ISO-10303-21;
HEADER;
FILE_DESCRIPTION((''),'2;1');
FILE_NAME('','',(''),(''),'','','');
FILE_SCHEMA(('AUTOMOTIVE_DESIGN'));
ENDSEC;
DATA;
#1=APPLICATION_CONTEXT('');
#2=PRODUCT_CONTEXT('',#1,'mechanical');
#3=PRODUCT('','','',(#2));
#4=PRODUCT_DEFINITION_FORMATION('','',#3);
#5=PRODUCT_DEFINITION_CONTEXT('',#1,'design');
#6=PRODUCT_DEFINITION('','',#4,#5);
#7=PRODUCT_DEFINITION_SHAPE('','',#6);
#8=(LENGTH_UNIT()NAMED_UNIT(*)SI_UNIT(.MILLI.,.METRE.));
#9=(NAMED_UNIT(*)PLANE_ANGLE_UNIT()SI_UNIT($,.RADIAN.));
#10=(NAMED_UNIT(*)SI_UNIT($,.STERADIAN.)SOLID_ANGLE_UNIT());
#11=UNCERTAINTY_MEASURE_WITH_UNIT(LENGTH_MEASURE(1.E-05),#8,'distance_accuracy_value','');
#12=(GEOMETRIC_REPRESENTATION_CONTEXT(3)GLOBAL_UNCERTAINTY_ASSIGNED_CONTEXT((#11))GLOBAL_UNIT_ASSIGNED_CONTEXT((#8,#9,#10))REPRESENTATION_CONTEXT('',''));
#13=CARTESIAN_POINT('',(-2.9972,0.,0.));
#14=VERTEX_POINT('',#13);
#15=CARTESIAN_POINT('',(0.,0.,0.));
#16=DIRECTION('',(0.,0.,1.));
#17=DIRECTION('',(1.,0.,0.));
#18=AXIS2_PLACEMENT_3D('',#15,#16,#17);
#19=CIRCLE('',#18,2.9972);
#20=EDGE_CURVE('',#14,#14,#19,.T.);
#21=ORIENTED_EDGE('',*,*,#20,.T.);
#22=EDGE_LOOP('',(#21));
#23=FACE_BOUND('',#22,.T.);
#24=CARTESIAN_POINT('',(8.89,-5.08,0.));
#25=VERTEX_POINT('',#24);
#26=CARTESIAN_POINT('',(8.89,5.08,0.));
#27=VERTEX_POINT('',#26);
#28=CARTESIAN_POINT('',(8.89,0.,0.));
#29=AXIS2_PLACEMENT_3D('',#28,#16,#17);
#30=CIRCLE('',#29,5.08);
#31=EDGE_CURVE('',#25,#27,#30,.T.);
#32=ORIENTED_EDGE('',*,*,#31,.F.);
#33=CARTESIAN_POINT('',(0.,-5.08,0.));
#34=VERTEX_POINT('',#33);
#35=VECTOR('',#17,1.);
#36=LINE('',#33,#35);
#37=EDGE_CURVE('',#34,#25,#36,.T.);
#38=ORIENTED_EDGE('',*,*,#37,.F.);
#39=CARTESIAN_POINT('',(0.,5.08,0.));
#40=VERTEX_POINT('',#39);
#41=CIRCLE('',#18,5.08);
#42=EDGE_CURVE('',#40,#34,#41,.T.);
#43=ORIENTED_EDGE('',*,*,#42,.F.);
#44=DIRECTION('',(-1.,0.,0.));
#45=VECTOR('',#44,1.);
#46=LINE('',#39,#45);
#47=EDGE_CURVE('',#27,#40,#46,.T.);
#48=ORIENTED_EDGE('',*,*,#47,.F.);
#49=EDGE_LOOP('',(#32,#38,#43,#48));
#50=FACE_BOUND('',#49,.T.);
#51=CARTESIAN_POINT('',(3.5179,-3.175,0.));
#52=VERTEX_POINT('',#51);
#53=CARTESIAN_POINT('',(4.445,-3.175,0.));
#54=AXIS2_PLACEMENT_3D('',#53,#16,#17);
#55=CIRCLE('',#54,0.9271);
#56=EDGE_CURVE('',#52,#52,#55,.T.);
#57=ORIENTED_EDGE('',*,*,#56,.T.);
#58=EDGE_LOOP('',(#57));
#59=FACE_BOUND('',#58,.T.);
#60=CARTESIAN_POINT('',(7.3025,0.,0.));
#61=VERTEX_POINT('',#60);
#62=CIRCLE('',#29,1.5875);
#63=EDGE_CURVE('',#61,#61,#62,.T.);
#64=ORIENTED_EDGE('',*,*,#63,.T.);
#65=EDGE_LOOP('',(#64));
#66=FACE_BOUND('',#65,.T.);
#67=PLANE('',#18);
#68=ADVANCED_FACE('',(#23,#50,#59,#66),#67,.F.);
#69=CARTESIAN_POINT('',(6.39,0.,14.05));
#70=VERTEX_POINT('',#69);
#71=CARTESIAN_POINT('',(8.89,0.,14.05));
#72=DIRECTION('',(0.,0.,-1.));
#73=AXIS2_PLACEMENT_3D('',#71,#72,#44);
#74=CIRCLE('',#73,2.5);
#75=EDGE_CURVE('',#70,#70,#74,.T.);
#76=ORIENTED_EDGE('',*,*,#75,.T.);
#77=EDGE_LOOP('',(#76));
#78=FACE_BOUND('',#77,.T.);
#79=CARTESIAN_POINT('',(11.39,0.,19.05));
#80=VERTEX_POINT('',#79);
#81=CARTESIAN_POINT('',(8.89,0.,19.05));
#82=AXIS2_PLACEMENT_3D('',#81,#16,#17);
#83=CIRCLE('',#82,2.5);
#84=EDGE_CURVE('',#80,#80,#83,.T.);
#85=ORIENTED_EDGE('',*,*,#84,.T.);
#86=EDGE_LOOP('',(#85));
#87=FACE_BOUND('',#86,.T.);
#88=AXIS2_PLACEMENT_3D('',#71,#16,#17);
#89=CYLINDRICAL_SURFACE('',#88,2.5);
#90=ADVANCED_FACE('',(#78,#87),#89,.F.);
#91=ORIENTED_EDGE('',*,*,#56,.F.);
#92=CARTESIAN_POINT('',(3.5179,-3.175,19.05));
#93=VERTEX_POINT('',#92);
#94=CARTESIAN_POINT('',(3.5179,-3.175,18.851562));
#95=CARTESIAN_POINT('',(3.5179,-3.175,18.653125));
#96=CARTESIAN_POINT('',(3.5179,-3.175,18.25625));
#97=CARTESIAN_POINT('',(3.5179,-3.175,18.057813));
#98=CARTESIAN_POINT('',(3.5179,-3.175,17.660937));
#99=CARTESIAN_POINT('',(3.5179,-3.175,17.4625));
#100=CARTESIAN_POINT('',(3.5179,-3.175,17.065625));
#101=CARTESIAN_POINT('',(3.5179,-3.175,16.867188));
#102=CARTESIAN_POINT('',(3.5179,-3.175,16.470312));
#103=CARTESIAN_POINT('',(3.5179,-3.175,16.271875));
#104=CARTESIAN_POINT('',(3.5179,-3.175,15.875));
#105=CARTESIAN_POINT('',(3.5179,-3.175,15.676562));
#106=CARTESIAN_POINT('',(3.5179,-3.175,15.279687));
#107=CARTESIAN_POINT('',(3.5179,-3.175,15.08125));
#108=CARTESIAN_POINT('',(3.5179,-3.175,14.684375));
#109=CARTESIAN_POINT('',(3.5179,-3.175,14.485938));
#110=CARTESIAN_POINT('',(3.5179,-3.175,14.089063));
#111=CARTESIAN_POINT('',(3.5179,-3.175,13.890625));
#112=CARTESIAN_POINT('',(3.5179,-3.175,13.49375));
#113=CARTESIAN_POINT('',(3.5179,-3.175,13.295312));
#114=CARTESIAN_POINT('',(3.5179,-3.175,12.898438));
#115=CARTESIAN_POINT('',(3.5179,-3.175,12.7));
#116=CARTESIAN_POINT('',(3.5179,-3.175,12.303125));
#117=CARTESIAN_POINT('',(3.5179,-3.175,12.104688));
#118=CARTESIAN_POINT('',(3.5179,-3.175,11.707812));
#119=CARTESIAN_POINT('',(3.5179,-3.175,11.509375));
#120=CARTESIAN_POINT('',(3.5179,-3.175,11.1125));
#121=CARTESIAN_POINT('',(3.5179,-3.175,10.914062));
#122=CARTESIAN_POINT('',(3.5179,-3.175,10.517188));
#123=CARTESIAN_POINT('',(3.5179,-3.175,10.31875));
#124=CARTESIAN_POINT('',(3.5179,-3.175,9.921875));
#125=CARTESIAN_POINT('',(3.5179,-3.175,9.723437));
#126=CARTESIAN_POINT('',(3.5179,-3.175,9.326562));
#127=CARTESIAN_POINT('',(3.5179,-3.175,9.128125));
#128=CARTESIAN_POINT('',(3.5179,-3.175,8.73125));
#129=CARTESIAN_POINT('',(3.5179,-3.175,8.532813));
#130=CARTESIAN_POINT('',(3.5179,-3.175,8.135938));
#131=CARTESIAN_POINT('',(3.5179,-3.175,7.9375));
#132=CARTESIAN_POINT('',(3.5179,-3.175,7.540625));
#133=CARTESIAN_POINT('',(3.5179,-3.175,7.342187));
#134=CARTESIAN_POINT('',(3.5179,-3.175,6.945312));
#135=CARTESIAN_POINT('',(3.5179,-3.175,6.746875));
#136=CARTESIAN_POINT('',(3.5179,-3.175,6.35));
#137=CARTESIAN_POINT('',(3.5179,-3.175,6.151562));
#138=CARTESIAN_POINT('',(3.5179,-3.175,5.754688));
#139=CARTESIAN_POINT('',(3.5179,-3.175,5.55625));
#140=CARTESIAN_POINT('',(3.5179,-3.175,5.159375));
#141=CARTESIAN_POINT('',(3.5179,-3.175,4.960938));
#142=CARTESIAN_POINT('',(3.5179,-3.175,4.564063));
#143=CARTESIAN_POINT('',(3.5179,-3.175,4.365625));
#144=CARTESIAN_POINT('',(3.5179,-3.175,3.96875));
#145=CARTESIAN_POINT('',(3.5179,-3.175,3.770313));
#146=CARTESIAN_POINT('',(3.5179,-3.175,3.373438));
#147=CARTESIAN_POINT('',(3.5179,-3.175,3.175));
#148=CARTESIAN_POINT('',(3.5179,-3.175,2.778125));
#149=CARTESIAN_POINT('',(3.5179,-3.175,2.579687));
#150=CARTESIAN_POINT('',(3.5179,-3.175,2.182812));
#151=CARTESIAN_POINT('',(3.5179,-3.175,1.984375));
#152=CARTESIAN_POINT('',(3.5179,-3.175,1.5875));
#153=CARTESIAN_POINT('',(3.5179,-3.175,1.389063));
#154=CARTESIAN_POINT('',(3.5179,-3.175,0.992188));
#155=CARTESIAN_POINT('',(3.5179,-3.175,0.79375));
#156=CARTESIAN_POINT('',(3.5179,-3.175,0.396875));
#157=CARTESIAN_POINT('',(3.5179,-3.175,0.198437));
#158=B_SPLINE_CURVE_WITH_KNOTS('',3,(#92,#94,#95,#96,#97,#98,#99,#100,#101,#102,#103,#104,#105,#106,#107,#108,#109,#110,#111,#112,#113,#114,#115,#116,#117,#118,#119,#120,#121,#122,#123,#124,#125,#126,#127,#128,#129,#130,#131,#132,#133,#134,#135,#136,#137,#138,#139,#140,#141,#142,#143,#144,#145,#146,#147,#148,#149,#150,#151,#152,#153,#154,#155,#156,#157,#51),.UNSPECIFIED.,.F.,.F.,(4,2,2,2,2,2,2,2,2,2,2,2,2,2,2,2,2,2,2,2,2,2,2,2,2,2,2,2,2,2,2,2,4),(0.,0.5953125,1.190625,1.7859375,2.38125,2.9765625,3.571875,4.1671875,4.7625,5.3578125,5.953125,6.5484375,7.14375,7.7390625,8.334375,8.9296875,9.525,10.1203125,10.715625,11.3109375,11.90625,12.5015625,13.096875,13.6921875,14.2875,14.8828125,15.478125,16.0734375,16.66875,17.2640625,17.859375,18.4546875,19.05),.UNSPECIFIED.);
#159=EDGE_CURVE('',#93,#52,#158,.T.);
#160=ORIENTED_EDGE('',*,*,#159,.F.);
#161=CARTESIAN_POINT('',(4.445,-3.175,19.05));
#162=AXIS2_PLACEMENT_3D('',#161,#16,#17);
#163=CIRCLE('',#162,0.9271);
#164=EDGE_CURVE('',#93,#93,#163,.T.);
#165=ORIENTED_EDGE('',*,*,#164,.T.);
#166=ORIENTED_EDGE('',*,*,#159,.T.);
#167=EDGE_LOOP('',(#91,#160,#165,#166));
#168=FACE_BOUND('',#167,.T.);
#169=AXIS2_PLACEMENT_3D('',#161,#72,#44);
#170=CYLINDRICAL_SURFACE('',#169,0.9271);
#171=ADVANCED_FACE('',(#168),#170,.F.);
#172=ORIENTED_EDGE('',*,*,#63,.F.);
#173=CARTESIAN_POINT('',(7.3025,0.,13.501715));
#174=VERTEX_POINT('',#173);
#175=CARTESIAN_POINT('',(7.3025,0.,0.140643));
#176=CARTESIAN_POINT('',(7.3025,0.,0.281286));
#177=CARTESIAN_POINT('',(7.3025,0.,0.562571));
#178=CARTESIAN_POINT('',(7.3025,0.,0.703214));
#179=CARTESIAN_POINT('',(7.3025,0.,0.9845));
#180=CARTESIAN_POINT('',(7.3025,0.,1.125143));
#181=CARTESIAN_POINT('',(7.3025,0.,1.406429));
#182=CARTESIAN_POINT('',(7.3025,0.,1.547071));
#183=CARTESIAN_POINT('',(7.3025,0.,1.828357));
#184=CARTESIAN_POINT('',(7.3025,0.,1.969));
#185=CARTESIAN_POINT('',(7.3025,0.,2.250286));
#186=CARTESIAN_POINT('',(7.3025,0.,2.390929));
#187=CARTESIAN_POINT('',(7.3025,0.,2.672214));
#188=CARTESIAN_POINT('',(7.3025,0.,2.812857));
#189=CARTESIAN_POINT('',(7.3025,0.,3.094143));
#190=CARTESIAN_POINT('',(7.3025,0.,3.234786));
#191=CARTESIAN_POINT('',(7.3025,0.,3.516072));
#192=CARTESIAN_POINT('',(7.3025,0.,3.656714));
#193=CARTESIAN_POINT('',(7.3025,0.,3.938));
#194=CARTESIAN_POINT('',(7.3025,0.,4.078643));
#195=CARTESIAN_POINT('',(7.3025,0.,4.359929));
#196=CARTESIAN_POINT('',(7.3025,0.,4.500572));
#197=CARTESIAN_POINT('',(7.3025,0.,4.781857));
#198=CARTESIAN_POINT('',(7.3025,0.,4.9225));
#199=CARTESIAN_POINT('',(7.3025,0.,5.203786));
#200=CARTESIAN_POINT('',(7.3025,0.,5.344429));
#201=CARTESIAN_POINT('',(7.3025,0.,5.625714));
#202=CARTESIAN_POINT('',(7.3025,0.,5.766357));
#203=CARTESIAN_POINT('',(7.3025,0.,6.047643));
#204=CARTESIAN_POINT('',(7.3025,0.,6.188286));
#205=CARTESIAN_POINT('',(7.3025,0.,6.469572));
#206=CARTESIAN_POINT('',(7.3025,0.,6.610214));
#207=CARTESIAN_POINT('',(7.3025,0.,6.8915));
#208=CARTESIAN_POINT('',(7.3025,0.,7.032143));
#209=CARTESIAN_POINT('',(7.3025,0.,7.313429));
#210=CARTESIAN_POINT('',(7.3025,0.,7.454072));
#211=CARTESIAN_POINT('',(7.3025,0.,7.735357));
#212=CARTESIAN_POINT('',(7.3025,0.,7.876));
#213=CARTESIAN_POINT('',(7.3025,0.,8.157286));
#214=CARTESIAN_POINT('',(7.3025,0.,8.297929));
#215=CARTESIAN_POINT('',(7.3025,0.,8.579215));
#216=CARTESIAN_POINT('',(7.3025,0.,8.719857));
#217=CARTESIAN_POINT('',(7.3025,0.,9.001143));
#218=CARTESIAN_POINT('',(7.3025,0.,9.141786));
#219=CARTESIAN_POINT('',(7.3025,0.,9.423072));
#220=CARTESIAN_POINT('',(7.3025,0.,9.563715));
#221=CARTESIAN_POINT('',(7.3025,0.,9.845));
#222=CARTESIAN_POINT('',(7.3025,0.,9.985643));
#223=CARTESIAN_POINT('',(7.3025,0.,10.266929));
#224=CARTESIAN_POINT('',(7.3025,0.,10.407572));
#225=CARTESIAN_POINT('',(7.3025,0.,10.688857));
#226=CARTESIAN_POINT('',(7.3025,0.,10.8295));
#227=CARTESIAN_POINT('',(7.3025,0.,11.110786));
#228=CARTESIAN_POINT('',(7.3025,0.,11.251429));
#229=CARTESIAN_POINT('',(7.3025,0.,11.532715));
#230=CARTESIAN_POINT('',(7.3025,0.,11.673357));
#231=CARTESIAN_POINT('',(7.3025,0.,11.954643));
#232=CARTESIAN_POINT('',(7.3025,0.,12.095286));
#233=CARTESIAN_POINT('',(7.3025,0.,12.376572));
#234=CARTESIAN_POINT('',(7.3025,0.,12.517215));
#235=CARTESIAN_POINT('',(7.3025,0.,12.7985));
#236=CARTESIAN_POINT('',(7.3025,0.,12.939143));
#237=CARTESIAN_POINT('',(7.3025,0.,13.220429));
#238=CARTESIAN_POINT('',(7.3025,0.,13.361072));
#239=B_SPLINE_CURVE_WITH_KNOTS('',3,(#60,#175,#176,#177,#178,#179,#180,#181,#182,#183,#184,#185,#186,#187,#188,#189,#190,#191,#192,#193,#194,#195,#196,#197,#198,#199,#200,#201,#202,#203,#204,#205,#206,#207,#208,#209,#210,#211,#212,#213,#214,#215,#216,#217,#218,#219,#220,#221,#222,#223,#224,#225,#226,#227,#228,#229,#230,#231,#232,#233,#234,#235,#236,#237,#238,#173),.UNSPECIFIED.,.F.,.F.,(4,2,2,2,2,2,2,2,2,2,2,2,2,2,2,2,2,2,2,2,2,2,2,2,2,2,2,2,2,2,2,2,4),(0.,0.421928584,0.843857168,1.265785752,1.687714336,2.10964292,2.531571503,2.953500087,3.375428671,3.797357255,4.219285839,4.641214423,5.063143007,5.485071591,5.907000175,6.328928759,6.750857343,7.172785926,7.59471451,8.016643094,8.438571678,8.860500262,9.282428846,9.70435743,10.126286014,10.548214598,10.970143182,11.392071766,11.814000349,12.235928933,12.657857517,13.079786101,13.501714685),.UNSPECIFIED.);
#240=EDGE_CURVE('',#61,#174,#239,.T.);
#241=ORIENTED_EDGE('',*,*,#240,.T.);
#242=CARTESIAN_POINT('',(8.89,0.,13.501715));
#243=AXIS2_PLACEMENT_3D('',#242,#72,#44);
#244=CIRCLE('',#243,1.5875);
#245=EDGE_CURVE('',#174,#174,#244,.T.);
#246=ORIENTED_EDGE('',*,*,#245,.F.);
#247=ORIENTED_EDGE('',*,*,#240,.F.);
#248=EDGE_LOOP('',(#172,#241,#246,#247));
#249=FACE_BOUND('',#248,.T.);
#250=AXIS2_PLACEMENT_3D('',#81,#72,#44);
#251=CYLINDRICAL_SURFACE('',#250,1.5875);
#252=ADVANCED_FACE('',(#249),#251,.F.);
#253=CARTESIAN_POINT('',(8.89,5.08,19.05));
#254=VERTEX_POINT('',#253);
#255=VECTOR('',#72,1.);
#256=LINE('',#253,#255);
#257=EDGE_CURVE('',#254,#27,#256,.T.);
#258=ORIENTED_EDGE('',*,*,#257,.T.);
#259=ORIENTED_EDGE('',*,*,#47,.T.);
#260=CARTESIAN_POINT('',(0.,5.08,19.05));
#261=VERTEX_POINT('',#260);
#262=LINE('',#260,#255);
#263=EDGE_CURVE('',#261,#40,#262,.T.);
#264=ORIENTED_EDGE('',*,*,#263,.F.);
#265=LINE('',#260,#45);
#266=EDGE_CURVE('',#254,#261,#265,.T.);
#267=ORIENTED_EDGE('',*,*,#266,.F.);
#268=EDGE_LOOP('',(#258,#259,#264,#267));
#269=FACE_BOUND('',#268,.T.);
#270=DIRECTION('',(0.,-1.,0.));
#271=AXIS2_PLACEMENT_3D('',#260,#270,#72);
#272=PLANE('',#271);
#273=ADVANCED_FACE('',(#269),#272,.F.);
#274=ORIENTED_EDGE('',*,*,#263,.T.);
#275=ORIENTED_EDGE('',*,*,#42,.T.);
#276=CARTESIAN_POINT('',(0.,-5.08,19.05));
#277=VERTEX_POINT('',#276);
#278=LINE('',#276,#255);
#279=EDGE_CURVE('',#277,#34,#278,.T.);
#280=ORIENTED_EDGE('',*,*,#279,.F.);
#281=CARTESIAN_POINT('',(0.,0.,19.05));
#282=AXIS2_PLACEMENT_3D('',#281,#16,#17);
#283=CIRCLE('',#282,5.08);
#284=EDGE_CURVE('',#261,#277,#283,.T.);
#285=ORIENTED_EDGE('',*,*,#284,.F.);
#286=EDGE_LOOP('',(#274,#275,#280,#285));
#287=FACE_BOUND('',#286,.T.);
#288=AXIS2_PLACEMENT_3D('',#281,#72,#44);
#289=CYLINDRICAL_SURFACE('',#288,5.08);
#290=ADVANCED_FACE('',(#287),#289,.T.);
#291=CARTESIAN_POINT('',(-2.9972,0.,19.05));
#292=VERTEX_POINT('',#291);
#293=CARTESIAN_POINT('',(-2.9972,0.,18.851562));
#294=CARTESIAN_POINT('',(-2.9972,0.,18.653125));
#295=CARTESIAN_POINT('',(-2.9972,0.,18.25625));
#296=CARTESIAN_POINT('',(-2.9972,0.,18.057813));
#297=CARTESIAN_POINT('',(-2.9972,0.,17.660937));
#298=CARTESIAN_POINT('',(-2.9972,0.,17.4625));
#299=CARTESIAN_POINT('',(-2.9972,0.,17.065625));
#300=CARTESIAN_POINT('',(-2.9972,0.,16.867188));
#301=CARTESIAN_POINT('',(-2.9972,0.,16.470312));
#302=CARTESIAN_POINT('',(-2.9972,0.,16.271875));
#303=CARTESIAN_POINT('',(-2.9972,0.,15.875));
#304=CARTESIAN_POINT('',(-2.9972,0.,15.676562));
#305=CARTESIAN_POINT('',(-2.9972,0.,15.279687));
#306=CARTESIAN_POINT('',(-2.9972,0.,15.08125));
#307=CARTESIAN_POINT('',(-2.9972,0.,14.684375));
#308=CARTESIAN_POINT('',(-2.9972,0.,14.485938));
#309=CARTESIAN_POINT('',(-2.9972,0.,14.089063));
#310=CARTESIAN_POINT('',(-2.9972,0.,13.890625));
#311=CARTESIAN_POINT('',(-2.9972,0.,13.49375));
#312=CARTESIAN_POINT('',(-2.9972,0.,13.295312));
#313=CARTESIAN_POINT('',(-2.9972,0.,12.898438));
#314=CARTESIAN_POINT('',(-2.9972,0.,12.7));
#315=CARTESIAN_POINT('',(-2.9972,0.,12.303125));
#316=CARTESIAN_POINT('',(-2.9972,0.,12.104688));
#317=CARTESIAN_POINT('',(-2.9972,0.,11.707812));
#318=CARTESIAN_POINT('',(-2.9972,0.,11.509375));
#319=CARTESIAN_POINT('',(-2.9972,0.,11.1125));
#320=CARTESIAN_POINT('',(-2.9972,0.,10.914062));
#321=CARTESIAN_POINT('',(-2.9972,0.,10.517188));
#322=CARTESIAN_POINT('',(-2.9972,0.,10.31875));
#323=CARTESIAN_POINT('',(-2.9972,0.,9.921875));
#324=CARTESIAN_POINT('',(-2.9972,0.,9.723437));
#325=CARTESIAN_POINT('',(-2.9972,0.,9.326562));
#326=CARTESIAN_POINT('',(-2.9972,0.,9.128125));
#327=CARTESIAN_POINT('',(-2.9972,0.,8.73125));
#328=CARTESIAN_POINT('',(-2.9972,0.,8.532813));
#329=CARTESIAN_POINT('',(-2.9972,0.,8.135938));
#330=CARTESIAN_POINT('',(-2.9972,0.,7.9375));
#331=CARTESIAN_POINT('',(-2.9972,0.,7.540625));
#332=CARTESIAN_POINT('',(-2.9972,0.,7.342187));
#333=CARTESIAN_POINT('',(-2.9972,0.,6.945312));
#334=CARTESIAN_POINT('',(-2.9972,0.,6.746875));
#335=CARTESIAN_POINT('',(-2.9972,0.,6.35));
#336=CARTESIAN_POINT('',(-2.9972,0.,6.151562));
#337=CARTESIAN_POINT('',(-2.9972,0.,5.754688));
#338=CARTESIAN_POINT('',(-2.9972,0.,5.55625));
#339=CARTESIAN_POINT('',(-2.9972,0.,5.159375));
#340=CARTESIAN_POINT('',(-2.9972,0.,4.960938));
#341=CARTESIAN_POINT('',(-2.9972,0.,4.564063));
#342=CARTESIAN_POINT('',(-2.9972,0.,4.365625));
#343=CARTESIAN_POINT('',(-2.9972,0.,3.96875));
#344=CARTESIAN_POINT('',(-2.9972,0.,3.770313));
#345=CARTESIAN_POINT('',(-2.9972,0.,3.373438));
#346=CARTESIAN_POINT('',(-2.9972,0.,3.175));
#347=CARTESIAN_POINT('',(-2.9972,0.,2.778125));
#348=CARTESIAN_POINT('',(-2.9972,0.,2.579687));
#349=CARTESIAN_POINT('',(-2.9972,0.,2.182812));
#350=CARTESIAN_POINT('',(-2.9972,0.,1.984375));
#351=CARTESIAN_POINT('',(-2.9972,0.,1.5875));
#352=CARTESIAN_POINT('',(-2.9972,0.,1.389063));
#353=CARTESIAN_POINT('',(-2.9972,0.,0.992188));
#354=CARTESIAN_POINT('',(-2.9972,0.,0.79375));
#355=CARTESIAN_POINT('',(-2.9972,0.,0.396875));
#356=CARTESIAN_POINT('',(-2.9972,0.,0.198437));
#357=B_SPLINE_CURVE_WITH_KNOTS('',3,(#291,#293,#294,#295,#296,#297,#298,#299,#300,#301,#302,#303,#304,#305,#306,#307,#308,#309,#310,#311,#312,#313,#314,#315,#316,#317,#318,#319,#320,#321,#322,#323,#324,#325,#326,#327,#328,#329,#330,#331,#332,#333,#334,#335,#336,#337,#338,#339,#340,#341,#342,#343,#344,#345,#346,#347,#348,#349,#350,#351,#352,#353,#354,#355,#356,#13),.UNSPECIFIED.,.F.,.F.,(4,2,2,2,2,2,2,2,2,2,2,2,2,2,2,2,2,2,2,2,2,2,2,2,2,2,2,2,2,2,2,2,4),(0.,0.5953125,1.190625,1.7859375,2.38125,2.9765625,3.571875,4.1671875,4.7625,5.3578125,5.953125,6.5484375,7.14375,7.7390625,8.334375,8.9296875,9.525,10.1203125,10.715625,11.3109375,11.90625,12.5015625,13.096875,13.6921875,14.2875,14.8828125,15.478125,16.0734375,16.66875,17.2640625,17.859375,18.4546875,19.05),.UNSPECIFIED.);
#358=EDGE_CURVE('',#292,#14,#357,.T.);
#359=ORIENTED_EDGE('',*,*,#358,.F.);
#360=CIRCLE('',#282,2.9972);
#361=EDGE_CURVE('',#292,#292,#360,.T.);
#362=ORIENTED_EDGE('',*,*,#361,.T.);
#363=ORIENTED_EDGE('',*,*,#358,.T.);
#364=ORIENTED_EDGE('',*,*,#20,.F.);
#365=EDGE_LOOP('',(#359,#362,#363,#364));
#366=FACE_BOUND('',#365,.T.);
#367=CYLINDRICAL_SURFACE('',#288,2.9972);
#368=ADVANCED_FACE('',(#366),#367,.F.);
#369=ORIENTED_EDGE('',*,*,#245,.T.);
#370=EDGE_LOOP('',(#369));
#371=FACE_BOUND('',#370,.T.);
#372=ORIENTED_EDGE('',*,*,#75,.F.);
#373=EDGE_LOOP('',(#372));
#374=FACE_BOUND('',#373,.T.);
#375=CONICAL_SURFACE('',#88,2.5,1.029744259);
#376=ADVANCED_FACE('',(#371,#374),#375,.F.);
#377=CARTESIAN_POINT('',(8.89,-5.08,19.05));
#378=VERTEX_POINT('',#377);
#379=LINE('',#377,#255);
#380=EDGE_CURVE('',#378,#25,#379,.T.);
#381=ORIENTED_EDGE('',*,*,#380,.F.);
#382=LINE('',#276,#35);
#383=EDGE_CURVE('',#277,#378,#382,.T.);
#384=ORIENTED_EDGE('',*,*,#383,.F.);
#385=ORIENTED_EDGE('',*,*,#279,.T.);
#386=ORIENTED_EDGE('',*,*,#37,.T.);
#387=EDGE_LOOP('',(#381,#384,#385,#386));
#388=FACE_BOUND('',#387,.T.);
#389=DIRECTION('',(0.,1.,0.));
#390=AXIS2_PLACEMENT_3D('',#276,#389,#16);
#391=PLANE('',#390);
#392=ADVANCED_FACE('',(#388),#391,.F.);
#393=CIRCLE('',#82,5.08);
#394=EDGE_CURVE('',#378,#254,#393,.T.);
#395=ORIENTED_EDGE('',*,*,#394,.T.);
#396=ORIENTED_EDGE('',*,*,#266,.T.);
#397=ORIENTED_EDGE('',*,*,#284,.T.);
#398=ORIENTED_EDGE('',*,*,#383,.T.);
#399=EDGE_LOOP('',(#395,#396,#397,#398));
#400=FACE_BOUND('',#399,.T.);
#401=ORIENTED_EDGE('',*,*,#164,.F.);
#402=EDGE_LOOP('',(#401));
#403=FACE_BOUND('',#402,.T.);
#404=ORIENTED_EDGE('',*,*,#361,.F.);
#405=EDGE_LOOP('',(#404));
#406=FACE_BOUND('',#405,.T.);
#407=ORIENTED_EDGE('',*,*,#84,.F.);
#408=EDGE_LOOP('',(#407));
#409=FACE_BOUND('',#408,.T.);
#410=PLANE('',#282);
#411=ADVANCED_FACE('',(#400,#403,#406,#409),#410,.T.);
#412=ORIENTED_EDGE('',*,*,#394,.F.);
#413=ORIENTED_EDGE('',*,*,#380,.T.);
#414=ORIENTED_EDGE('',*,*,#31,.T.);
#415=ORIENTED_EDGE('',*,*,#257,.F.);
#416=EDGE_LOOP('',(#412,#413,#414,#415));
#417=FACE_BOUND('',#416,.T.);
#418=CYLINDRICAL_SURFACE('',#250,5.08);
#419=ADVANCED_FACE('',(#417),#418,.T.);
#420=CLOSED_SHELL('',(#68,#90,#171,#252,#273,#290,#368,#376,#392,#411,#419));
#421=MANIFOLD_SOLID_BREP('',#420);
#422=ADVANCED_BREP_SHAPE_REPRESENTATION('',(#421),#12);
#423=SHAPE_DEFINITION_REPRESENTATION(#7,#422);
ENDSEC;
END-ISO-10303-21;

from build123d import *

# Parameters (mm, degrees)
SKETCH1_R           = 2.9972
SKETCH1_R_2         = 1.5875
SKETCH1_R_3         = 0.9271
BOSS_EXTRUDE1_DEPTH = 19.05
SKETCH2_R           = 2.5
CUT_EXTRUDE1_DEPTH  = 5


with BuildPart() as part:
    # Sketch1 → Boss-Extrude1 (new body)
    with BuildSketch(Plane.XY):
        with BuildLine():
            Line((0, 5.08), (8.89, 5.08))
            ThreePointArc((8.89, 5.08), (13.97, 0), (8.89, -5.08))
            Line((8.89, -5.08), (0, -5.08))
            ThreePointArc((0, -5.08), (-5.08, 0), (0, 5.08))
        make_face()
        with Locations(Location((0, 0, 0), (0, 0, 180))):
            Circle(SKETCH1_R, mode=Mode.SUBTRACT)
        with Locations(Location((8.89, 0, 0), (0, 0, 180))):
            Circle(SKETCH1_R_2, mode=Mode.SUBTRACT)
        with Locations(Location((4.445, -3.175, 0), (0, 0, 180))):
            Circle(SKETCH1_R_3, mode=Mode.SUBTRACT)
    extrude(amount=BOSS_EXTRUDE1_DEPTH)

    # Sketch2 → Cut-Extrude1 (cut)
    with BuildSketch(Plane.XY.offset(19.05)):
        with Locations((8.89, 0)):
            Circle(SKETCH2_R)
    extrude(amount=-CUT_EXTRUDE1_DEPTH, mode=Mode.SUBTRACT)

    # Sketch3 → Cut-Revolve1 (revolve, cut)
    with BuildSketch(Plane(origin=(0, 0, 0), x_dir=(1, 0, 0), z_dir=(0, 1, 0)), mode=Mode.PRIVATE) as cut_revolve1_sk:
        Polygon((11.39, -14.05), (10.4775, -13.501714685), (10.4775, -14.05), align=None)
    revolve(cut_revolve1_sk.sketch.rotate(Axis((8.89, 0, 14.05), (0, 0, 1)), 180), axis=Axis((8.89, 0, 14.05), (0, 0, 1)), mode=Mode.SUBTRACT)


solid = part.part
